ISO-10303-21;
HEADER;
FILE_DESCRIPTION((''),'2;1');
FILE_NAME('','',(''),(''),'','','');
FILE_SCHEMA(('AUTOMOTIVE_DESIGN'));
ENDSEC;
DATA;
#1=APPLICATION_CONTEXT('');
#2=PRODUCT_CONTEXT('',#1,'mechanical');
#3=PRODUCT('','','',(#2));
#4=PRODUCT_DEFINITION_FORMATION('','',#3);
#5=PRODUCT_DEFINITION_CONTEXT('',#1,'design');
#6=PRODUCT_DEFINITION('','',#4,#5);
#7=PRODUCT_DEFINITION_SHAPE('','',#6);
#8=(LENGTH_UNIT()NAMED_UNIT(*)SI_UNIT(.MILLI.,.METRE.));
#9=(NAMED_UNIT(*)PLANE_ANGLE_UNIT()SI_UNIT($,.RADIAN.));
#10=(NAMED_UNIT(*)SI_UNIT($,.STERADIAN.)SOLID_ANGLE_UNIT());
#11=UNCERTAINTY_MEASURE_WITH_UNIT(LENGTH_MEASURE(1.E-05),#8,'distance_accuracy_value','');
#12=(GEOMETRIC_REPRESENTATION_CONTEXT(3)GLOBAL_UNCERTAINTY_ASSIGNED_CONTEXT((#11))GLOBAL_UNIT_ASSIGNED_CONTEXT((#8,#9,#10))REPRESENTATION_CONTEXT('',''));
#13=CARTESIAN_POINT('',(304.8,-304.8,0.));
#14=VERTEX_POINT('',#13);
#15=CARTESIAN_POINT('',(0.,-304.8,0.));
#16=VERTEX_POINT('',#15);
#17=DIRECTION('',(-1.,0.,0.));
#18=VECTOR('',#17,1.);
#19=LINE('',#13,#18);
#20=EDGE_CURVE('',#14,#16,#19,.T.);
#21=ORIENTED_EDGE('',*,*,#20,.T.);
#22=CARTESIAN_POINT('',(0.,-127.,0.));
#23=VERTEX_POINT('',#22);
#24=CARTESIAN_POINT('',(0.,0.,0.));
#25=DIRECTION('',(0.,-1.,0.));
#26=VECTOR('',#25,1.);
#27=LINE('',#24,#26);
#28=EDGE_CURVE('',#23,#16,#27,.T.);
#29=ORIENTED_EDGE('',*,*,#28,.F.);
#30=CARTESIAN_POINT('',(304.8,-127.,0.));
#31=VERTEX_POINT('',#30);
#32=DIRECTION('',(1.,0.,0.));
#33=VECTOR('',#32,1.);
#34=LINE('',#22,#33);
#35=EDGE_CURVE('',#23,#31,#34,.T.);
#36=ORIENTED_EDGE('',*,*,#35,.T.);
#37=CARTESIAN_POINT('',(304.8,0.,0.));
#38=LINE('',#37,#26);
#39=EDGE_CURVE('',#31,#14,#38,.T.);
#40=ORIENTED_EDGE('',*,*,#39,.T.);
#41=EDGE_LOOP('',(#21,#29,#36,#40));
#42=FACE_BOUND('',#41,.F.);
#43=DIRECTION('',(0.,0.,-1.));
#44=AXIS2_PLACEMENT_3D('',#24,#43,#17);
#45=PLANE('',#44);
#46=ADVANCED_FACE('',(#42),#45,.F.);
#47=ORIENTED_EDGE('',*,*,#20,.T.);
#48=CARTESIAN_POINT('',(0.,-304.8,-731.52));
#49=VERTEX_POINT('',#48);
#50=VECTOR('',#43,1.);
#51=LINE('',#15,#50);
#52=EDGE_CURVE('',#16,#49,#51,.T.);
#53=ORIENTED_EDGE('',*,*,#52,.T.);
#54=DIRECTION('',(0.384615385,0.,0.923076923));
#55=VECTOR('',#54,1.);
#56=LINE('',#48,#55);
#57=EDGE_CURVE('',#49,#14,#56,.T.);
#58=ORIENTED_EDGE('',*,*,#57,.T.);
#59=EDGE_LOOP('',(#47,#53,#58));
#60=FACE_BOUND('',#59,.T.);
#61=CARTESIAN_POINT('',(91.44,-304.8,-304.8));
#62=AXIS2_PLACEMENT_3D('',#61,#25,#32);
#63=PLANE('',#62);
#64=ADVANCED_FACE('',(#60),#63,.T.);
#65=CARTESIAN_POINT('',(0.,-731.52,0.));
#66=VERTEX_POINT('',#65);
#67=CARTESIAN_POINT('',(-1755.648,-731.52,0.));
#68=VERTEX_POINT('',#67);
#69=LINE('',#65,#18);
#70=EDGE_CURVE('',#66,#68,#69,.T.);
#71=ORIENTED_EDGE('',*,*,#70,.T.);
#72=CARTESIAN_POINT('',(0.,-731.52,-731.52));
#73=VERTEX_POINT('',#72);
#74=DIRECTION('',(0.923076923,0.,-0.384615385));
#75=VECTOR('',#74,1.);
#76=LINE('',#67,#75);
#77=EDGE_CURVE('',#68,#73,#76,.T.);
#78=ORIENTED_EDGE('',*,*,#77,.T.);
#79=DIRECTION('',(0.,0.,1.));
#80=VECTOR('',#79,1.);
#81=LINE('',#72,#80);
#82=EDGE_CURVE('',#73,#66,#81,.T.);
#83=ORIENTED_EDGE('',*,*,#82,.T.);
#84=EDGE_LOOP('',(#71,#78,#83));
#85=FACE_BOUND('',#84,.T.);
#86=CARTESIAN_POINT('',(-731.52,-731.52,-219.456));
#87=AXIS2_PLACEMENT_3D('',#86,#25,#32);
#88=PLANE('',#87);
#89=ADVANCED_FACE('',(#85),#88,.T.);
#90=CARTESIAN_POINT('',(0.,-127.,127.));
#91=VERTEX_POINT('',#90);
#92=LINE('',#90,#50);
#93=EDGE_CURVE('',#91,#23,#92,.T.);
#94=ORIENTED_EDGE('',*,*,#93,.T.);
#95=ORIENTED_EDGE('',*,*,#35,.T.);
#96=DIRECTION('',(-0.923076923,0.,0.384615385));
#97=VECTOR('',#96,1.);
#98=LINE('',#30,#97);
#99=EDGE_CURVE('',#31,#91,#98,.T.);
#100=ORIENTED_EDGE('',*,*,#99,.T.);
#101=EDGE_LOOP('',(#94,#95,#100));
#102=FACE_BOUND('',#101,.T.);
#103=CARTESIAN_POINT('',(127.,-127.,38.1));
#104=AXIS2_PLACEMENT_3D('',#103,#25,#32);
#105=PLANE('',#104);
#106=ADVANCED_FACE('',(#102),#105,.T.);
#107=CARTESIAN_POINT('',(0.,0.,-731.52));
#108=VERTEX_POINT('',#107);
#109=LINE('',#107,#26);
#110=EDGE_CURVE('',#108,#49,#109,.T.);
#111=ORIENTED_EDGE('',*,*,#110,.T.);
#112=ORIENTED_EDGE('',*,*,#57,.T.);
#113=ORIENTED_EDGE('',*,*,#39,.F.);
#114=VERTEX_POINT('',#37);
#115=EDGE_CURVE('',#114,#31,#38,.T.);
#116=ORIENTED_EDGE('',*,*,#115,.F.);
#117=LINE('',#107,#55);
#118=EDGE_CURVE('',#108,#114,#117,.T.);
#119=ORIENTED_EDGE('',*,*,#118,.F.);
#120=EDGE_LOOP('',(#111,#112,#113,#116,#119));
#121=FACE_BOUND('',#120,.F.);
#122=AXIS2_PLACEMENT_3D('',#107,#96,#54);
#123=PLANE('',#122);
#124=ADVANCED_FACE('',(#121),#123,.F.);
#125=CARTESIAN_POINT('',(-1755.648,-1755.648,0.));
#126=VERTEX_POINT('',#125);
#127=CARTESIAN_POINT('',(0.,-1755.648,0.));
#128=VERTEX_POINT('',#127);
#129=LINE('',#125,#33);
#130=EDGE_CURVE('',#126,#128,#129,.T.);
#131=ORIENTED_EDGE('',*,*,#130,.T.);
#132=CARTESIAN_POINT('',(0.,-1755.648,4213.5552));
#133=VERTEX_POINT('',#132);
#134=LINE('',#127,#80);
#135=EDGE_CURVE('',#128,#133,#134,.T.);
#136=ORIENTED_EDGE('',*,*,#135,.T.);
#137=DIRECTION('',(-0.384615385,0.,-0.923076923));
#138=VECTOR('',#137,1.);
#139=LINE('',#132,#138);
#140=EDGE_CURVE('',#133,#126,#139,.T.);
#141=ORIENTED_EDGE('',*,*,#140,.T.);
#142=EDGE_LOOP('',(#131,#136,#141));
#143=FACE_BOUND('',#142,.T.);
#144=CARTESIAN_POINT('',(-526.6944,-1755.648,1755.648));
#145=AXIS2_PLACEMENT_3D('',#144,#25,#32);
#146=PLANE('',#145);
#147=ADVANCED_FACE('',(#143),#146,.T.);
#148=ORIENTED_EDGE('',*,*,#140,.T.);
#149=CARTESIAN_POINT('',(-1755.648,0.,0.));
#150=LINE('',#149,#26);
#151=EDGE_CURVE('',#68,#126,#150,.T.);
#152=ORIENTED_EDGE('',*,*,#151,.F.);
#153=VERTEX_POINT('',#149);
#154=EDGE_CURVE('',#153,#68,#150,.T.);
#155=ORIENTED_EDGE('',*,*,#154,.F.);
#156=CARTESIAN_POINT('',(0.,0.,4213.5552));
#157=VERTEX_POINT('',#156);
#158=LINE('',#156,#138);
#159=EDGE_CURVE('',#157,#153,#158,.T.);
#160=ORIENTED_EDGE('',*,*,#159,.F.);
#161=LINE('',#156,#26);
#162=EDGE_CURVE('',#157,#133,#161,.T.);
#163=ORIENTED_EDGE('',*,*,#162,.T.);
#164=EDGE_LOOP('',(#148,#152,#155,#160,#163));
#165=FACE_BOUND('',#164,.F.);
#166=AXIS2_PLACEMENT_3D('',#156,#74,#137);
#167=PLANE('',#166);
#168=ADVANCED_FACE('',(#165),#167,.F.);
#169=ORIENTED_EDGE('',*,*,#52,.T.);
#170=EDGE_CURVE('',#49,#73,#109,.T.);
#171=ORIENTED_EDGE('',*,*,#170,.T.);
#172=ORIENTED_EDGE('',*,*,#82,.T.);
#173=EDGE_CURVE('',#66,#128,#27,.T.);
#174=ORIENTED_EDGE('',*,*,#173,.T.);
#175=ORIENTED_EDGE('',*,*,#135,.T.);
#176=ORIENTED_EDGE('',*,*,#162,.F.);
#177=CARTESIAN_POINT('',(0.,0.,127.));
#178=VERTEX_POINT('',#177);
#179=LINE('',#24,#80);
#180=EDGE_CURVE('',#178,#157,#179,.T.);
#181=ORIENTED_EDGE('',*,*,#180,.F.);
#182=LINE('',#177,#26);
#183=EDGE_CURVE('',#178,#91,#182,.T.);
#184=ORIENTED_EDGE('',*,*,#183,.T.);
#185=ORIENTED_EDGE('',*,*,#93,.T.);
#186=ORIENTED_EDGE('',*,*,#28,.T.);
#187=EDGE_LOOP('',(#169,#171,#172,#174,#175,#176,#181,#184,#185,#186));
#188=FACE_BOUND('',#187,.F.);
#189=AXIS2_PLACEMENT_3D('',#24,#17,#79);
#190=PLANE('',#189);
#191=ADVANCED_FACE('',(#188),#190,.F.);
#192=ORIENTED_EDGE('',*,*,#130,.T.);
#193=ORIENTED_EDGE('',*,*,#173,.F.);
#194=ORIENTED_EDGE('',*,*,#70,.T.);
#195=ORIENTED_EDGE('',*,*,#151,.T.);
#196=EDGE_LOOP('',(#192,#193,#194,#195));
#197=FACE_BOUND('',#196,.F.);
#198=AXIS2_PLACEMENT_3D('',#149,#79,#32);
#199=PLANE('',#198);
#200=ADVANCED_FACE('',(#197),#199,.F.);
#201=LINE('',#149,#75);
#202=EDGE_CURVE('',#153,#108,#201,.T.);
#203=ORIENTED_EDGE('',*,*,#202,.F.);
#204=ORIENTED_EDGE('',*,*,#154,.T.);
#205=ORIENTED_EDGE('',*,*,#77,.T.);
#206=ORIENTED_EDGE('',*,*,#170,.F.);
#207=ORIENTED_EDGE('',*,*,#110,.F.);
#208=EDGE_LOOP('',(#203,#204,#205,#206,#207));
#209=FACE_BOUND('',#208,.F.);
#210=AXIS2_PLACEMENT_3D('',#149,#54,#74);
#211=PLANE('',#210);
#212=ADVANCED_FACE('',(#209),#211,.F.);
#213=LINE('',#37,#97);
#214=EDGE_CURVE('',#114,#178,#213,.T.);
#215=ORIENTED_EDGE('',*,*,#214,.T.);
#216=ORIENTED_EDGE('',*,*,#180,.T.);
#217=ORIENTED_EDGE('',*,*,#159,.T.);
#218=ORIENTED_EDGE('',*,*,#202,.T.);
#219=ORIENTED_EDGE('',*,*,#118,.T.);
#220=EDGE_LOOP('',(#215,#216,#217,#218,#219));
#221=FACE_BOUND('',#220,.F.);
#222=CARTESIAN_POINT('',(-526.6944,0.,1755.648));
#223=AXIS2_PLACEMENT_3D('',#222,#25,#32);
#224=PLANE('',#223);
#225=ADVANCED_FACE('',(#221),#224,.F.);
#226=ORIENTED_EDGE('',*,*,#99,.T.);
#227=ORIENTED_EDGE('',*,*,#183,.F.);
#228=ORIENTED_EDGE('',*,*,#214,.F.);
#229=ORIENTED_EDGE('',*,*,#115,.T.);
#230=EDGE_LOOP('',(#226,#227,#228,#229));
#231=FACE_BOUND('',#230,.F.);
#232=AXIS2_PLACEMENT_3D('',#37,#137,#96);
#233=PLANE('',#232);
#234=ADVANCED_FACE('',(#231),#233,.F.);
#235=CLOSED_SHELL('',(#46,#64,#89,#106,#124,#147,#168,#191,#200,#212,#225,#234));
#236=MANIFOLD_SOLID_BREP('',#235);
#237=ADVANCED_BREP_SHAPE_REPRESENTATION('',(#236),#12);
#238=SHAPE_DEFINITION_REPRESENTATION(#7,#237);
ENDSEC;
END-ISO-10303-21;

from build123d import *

# Parameters (mm, degrees)
F1_DEPTH = 127
F3_DEPTH = 304.8
F5_DEPTH = 731.52
F7_DEPTH = 1755.648


with BuildPart() as f1:
    # F0 (on Front) → F1 (new body)
    with BuildSketch(Plane.XZ):
        Polygon((0, 127), (0, 0), (304.8, 0), align=None)
    extrude(amount=F1_DEPTH)

    # F2 (on Front) → F3 (join)
    with BuildSketch(Plane.XZ):
        Polygon((304.8, 0), (0, 0), (0, -731.52), align=None)
    extrude(amount=F3_DEPTH)

    # F4 (on Front) → F5 (join)
    with BuildSketch(Plane.XZ):
        Polygon((-1755.648, 0), (0, -731.52), (0, 0), align=None)
    extrude(amount=F5_DEPTH)

    # F6 (on Front) → F7 (join)
    with BuildSketch(Plane.XZ):
        Polygon((-1755.648, 0), (0, 0), (0, 4213.5552), align=None)
    extrude(amount=F7_DEPTH)


solid = f1.part
